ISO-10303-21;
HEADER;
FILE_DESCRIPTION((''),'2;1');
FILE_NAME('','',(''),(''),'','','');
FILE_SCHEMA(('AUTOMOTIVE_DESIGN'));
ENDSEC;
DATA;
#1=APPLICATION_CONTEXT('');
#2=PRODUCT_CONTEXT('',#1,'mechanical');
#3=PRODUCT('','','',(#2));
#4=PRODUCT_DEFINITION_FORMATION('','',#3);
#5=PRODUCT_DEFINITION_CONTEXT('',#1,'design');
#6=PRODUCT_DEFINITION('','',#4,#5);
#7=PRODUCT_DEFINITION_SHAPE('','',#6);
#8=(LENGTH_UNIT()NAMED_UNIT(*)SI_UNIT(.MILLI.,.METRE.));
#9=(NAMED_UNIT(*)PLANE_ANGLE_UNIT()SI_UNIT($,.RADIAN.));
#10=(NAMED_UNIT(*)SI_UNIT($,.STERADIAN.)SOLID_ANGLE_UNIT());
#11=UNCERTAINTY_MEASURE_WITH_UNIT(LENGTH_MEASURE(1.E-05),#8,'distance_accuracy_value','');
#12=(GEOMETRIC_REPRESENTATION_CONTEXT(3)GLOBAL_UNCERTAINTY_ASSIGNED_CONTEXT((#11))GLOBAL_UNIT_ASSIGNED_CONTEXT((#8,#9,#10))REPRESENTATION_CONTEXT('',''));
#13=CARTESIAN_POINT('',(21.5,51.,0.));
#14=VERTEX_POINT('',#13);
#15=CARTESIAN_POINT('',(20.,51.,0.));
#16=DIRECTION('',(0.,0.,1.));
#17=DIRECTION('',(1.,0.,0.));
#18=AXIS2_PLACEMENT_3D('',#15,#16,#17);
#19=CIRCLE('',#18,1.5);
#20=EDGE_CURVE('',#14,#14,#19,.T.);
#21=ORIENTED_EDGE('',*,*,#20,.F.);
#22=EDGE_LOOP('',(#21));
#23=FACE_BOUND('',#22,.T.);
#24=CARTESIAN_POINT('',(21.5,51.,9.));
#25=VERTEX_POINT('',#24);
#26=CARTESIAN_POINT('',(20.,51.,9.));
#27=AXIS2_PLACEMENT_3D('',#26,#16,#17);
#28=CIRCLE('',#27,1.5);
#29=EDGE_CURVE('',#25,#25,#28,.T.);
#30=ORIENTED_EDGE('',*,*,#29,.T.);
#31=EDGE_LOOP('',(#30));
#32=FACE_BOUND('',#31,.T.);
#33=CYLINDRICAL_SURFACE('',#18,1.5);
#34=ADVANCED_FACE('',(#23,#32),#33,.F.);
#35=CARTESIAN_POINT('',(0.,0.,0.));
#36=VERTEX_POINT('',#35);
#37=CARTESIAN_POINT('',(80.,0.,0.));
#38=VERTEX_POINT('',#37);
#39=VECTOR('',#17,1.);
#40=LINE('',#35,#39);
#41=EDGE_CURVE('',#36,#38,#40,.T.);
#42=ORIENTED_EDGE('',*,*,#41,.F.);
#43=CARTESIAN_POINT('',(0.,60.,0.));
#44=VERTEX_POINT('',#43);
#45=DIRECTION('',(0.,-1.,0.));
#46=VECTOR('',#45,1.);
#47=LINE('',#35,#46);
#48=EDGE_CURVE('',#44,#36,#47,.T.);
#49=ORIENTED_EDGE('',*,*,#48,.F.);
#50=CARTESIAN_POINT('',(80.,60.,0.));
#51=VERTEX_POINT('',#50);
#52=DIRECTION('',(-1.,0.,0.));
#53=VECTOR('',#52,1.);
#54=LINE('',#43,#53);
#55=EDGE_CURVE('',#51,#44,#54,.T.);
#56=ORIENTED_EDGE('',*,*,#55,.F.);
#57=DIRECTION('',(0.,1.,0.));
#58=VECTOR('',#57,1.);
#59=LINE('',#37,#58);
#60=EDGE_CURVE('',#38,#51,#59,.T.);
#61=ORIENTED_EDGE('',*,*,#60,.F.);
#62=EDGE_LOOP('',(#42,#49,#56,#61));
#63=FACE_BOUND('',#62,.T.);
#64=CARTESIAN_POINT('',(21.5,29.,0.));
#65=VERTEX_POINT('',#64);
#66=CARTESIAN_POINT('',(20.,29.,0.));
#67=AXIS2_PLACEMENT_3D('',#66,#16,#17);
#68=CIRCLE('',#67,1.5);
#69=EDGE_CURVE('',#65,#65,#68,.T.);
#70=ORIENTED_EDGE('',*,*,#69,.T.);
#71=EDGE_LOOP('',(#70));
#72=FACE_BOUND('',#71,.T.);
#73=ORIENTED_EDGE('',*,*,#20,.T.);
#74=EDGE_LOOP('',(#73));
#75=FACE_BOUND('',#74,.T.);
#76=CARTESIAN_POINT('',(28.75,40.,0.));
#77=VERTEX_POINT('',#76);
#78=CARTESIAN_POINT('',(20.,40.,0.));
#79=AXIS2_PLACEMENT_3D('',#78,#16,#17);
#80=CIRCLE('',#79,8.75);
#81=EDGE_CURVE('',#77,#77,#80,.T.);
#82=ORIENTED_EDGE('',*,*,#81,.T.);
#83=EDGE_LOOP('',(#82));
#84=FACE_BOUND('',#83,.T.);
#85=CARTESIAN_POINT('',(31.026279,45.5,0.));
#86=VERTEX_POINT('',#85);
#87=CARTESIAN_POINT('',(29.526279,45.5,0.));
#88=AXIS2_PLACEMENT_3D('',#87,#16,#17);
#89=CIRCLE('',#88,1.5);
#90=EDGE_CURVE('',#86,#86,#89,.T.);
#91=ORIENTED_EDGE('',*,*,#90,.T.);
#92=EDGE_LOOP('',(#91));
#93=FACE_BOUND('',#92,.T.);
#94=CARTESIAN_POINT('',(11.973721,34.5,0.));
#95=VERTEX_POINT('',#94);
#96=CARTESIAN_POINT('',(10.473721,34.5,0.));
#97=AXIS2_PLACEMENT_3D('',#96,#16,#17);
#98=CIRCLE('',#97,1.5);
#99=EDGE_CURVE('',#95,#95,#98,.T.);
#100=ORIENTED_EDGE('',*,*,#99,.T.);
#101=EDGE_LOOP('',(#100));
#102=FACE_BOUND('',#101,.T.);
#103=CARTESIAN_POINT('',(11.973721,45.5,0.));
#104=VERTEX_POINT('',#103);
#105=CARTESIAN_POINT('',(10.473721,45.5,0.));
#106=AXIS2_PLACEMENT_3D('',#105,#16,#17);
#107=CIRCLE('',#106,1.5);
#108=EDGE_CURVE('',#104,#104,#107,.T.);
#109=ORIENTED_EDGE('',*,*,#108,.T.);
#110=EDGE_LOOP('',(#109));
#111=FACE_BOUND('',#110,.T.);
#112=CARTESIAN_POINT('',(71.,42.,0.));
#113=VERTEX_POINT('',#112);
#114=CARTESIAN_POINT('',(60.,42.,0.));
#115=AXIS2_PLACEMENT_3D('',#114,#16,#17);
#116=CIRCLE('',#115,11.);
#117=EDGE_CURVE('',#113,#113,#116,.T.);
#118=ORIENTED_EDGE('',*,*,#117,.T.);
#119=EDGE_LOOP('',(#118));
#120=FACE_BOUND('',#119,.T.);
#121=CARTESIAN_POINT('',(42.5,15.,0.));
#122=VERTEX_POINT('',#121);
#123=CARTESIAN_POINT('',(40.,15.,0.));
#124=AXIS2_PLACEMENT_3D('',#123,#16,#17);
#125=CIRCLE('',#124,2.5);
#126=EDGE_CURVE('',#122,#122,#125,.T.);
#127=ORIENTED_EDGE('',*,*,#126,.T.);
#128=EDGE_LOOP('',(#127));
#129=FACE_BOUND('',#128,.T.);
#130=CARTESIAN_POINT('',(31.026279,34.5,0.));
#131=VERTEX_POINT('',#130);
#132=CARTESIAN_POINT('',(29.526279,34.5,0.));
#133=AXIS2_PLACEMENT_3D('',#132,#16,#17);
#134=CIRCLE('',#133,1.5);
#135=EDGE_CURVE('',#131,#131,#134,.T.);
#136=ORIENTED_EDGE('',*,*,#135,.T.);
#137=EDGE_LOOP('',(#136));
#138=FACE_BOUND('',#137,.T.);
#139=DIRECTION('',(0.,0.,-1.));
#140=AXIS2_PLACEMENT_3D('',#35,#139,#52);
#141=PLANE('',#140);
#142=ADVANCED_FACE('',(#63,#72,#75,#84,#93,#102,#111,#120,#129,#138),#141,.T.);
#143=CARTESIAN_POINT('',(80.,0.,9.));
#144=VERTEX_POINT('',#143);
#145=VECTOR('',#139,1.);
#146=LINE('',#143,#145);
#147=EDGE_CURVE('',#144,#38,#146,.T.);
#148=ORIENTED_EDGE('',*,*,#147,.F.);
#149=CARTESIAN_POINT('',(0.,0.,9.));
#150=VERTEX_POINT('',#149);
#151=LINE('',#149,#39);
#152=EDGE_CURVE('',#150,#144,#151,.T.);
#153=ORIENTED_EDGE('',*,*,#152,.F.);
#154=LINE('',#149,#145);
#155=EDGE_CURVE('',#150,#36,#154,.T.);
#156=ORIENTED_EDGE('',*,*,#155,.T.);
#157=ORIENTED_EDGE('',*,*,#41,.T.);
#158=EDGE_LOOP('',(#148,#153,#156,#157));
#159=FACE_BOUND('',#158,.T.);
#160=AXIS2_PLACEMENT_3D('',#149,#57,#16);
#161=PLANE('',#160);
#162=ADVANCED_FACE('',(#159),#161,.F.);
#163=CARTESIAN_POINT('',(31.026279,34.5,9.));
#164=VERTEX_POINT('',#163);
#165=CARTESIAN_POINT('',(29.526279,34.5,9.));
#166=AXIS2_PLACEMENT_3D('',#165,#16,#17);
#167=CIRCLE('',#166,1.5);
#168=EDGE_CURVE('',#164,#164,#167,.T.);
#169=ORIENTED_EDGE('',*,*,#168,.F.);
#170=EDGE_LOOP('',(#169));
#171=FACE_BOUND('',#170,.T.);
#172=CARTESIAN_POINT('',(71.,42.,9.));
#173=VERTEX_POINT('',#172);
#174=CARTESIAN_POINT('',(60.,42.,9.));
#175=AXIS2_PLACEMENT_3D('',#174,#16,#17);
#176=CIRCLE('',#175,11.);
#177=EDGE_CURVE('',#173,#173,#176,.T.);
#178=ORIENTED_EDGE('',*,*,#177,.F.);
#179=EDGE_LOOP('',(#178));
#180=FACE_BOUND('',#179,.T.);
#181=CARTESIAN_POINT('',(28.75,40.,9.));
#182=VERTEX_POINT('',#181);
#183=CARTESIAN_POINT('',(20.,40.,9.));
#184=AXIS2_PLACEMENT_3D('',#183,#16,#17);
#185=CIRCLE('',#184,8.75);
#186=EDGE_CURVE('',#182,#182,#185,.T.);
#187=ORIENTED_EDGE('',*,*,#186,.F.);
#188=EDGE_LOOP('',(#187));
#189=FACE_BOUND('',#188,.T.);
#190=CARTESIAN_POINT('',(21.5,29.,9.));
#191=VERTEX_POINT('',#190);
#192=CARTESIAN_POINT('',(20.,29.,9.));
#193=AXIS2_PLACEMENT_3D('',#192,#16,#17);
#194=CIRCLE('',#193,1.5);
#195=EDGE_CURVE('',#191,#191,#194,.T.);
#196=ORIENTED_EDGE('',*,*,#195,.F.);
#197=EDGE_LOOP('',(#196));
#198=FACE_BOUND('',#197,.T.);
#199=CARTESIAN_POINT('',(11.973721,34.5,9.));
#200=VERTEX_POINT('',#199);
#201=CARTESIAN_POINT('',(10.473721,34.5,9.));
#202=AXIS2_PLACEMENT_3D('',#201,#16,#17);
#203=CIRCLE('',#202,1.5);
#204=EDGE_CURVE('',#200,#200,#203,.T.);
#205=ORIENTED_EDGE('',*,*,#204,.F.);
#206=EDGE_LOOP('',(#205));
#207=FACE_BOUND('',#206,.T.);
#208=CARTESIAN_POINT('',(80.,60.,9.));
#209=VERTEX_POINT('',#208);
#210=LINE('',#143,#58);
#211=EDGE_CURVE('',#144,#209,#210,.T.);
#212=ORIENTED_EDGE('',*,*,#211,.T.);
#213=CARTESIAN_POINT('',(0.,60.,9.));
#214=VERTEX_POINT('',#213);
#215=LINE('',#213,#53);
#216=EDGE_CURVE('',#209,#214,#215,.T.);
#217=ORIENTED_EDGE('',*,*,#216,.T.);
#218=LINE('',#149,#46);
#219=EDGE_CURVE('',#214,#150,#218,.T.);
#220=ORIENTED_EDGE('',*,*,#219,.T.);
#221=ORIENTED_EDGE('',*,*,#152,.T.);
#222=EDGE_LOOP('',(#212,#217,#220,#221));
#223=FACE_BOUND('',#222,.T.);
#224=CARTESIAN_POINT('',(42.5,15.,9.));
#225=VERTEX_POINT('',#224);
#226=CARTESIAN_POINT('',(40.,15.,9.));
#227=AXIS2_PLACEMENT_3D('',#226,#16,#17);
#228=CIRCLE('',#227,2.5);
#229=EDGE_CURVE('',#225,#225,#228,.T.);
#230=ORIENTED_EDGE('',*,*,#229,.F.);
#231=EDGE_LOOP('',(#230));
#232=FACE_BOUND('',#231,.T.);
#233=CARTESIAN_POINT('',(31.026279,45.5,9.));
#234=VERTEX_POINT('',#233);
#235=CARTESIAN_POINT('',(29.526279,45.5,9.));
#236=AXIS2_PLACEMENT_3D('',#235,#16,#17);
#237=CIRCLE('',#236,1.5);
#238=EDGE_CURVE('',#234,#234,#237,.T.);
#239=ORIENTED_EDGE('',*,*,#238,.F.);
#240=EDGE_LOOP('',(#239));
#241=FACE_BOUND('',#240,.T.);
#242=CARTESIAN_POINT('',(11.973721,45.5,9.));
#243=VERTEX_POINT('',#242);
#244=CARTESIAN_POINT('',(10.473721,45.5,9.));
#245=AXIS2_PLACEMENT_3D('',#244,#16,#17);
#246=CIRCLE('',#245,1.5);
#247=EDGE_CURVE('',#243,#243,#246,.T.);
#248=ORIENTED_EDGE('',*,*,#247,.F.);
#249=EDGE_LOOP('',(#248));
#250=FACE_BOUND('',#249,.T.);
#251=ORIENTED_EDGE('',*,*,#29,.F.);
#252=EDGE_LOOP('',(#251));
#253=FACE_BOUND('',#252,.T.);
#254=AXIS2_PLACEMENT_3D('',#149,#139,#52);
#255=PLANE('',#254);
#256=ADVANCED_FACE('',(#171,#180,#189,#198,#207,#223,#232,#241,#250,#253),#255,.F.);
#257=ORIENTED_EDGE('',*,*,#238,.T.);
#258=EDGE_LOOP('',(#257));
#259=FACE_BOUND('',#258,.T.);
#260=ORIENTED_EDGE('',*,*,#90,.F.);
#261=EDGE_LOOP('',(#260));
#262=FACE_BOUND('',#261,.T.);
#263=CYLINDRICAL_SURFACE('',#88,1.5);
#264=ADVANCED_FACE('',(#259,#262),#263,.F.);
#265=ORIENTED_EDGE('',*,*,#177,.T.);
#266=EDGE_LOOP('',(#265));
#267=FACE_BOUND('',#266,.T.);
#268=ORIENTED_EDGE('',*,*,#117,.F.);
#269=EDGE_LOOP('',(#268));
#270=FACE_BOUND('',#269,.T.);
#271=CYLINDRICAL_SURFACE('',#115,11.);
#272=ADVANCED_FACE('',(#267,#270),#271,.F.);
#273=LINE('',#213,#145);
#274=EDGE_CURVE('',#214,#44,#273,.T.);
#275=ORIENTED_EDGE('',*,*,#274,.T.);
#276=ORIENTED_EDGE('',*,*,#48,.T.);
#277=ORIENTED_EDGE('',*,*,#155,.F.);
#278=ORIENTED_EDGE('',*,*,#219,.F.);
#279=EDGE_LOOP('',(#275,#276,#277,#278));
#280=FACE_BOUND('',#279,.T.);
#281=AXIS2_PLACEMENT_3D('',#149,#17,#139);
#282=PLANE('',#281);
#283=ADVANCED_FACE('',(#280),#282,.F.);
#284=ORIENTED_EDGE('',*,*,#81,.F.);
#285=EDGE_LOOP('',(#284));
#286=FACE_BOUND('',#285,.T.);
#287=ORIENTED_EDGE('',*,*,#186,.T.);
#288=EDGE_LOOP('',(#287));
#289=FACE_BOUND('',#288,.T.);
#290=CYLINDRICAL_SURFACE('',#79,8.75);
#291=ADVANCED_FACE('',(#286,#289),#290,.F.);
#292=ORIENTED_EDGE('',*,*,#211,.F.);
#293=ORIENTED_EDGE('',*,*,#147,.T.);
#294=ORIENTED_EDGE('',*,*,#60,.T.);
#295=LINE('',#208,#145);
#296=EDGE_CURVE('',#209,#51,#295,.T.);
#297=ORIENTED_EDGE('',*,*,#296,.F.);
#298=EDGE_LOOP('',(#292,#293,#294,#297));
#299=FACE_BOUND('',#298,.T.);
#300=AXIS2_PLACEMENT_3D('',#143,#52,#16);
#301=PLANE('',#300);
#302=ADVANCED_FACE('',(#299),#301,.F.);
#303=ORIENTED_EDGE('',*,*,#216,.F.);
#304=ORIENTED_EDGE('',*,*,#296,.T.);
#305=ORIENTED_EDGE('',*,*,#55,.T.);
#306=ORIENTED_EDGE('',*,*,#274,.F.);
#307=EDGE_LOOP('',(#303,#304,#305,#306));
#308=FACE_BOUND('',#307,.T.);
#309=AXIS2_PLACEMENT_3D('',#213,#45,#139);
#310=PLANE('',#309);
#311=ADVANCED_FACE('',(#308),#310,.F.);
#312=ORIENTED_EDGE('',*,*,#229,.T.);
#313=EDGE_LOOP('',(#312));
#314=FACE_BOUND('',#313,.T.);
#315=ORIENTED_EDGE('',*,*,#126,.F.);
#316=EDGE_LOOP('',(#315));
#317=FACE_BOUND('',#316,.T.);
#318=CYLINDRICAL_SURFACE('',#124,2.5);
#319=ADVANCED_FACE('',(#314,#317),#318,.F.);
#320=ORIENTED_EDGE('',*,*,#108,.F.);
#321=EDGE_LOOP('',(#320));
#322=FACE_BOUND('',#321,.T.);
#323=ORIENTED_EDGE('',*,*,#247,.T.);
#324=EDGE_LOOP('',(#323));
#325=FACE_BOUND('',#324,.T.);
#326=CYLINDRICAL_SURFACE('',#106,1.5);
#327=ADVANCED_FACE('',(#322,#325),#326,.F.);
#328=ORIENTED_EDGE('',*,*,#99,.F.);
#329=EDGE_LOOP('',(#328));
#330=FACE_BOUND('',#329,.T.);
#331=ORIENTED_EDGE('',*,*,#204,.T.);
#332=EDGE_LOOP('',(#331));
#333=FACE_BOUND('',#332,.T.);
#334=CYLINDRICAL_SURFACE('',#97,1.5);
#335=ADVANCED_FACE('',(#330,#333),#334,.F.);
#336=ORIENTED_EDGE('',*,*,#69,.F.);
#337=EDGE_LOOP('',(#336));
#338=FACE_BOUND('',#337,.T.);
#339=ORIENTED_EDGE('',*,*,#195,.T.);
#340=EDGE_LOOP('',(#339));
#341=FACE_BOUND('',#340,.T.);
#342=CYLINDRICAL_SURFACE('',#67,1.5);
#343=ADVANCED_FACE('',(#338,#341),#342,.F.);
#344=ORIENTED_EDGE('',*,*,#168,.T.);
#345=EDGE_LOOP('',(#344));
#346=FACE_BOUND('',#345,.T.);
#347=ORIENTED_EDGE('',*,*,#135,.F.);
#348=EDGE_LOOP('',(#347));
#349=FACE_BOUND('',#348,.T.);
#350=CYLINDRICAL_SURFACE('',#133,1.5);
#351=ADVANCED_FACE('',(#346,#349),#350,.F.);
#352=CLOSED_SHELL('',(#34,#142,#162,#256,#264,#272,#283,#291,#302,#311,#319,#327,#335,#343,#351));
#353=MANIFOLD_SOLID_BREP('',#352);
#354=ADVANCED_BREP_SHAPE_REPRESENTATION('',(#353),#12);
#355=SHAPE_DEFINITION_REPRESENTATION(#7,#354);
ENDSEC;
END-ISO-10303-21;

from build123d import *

# Parameters (mm, degrees)
ESQUISSE1_W             = 80
ESQUISSE1_H             = 60
BOSS_EXTRU_1_DEPTH      = 9
ESQUISSE2_R             = 11
ESQUISSE2_R_2           = 8.75
ESQUISSE2_R_3           = 1.5
ENL_V_MAT_EXTRU_1_DEPTH = 101.40418318
ESQUISSE3_R             = 2.5
ENL_V_MAT_EXTRU_2_DEPTH = 101.40418318


with BuildPart() as part:
    # Esquisse1 → Boss.-Extru.1 (new body)
    with BuildSketch(Plane.XY):
        with Locations((40, 30)):
            Rectangle(ESQUISSE1_W, ESQUISSE1_H)
    extrude(amount=BOSS_EXTRU_1_DEPTH)

    # Esquisse2 → Enlèv. mat.-Extru.1 (cut, through all)
    with BuildSketch(Plane.XY.offset(9)):
        with Locations((60, 42)):
            Circle(ESQUISSE2_R)
        with Locations((20, 40)):
            Circle(ESQUISSE2_R_2)
        with Locations((20, 51)):
            Circle(ESQUISSE2_R_3)
        with Locations((29.526279442, 45.5)):
            Circle(ESQUISSE2_R_3)
        with Locations((29.526279442, 34.5)):
            Circle(ESQUISSE2_R_3)
        with Locations((20, 29)):
            Circle(ESQUISSE2_R_3)
        with Locations((10.473720558, 34.5)):
            Circle(ESQUISSE2_R_3)
        with Locations((10.473720558, 45.5)):
            Circle(ESQUISSE2_R_3)
    extrude(amount=-ENL_V_MAT_EXTRU_1_DEPTH, mode=Mode.SUBTRACT)

    # Esquisse3 → Enlèv. mat.-Extru.2 (cut, through all)
    with BuildSketch(Plane.XY.offset(9)):
        with Locations((40, 15)):
            Circle(ESQUISSE3_R)
    extrude(amount=-ENL_V_MAT_EXTRU_2_DEPTH, mode=Mode.SUBTRACT)


solid = part.part
